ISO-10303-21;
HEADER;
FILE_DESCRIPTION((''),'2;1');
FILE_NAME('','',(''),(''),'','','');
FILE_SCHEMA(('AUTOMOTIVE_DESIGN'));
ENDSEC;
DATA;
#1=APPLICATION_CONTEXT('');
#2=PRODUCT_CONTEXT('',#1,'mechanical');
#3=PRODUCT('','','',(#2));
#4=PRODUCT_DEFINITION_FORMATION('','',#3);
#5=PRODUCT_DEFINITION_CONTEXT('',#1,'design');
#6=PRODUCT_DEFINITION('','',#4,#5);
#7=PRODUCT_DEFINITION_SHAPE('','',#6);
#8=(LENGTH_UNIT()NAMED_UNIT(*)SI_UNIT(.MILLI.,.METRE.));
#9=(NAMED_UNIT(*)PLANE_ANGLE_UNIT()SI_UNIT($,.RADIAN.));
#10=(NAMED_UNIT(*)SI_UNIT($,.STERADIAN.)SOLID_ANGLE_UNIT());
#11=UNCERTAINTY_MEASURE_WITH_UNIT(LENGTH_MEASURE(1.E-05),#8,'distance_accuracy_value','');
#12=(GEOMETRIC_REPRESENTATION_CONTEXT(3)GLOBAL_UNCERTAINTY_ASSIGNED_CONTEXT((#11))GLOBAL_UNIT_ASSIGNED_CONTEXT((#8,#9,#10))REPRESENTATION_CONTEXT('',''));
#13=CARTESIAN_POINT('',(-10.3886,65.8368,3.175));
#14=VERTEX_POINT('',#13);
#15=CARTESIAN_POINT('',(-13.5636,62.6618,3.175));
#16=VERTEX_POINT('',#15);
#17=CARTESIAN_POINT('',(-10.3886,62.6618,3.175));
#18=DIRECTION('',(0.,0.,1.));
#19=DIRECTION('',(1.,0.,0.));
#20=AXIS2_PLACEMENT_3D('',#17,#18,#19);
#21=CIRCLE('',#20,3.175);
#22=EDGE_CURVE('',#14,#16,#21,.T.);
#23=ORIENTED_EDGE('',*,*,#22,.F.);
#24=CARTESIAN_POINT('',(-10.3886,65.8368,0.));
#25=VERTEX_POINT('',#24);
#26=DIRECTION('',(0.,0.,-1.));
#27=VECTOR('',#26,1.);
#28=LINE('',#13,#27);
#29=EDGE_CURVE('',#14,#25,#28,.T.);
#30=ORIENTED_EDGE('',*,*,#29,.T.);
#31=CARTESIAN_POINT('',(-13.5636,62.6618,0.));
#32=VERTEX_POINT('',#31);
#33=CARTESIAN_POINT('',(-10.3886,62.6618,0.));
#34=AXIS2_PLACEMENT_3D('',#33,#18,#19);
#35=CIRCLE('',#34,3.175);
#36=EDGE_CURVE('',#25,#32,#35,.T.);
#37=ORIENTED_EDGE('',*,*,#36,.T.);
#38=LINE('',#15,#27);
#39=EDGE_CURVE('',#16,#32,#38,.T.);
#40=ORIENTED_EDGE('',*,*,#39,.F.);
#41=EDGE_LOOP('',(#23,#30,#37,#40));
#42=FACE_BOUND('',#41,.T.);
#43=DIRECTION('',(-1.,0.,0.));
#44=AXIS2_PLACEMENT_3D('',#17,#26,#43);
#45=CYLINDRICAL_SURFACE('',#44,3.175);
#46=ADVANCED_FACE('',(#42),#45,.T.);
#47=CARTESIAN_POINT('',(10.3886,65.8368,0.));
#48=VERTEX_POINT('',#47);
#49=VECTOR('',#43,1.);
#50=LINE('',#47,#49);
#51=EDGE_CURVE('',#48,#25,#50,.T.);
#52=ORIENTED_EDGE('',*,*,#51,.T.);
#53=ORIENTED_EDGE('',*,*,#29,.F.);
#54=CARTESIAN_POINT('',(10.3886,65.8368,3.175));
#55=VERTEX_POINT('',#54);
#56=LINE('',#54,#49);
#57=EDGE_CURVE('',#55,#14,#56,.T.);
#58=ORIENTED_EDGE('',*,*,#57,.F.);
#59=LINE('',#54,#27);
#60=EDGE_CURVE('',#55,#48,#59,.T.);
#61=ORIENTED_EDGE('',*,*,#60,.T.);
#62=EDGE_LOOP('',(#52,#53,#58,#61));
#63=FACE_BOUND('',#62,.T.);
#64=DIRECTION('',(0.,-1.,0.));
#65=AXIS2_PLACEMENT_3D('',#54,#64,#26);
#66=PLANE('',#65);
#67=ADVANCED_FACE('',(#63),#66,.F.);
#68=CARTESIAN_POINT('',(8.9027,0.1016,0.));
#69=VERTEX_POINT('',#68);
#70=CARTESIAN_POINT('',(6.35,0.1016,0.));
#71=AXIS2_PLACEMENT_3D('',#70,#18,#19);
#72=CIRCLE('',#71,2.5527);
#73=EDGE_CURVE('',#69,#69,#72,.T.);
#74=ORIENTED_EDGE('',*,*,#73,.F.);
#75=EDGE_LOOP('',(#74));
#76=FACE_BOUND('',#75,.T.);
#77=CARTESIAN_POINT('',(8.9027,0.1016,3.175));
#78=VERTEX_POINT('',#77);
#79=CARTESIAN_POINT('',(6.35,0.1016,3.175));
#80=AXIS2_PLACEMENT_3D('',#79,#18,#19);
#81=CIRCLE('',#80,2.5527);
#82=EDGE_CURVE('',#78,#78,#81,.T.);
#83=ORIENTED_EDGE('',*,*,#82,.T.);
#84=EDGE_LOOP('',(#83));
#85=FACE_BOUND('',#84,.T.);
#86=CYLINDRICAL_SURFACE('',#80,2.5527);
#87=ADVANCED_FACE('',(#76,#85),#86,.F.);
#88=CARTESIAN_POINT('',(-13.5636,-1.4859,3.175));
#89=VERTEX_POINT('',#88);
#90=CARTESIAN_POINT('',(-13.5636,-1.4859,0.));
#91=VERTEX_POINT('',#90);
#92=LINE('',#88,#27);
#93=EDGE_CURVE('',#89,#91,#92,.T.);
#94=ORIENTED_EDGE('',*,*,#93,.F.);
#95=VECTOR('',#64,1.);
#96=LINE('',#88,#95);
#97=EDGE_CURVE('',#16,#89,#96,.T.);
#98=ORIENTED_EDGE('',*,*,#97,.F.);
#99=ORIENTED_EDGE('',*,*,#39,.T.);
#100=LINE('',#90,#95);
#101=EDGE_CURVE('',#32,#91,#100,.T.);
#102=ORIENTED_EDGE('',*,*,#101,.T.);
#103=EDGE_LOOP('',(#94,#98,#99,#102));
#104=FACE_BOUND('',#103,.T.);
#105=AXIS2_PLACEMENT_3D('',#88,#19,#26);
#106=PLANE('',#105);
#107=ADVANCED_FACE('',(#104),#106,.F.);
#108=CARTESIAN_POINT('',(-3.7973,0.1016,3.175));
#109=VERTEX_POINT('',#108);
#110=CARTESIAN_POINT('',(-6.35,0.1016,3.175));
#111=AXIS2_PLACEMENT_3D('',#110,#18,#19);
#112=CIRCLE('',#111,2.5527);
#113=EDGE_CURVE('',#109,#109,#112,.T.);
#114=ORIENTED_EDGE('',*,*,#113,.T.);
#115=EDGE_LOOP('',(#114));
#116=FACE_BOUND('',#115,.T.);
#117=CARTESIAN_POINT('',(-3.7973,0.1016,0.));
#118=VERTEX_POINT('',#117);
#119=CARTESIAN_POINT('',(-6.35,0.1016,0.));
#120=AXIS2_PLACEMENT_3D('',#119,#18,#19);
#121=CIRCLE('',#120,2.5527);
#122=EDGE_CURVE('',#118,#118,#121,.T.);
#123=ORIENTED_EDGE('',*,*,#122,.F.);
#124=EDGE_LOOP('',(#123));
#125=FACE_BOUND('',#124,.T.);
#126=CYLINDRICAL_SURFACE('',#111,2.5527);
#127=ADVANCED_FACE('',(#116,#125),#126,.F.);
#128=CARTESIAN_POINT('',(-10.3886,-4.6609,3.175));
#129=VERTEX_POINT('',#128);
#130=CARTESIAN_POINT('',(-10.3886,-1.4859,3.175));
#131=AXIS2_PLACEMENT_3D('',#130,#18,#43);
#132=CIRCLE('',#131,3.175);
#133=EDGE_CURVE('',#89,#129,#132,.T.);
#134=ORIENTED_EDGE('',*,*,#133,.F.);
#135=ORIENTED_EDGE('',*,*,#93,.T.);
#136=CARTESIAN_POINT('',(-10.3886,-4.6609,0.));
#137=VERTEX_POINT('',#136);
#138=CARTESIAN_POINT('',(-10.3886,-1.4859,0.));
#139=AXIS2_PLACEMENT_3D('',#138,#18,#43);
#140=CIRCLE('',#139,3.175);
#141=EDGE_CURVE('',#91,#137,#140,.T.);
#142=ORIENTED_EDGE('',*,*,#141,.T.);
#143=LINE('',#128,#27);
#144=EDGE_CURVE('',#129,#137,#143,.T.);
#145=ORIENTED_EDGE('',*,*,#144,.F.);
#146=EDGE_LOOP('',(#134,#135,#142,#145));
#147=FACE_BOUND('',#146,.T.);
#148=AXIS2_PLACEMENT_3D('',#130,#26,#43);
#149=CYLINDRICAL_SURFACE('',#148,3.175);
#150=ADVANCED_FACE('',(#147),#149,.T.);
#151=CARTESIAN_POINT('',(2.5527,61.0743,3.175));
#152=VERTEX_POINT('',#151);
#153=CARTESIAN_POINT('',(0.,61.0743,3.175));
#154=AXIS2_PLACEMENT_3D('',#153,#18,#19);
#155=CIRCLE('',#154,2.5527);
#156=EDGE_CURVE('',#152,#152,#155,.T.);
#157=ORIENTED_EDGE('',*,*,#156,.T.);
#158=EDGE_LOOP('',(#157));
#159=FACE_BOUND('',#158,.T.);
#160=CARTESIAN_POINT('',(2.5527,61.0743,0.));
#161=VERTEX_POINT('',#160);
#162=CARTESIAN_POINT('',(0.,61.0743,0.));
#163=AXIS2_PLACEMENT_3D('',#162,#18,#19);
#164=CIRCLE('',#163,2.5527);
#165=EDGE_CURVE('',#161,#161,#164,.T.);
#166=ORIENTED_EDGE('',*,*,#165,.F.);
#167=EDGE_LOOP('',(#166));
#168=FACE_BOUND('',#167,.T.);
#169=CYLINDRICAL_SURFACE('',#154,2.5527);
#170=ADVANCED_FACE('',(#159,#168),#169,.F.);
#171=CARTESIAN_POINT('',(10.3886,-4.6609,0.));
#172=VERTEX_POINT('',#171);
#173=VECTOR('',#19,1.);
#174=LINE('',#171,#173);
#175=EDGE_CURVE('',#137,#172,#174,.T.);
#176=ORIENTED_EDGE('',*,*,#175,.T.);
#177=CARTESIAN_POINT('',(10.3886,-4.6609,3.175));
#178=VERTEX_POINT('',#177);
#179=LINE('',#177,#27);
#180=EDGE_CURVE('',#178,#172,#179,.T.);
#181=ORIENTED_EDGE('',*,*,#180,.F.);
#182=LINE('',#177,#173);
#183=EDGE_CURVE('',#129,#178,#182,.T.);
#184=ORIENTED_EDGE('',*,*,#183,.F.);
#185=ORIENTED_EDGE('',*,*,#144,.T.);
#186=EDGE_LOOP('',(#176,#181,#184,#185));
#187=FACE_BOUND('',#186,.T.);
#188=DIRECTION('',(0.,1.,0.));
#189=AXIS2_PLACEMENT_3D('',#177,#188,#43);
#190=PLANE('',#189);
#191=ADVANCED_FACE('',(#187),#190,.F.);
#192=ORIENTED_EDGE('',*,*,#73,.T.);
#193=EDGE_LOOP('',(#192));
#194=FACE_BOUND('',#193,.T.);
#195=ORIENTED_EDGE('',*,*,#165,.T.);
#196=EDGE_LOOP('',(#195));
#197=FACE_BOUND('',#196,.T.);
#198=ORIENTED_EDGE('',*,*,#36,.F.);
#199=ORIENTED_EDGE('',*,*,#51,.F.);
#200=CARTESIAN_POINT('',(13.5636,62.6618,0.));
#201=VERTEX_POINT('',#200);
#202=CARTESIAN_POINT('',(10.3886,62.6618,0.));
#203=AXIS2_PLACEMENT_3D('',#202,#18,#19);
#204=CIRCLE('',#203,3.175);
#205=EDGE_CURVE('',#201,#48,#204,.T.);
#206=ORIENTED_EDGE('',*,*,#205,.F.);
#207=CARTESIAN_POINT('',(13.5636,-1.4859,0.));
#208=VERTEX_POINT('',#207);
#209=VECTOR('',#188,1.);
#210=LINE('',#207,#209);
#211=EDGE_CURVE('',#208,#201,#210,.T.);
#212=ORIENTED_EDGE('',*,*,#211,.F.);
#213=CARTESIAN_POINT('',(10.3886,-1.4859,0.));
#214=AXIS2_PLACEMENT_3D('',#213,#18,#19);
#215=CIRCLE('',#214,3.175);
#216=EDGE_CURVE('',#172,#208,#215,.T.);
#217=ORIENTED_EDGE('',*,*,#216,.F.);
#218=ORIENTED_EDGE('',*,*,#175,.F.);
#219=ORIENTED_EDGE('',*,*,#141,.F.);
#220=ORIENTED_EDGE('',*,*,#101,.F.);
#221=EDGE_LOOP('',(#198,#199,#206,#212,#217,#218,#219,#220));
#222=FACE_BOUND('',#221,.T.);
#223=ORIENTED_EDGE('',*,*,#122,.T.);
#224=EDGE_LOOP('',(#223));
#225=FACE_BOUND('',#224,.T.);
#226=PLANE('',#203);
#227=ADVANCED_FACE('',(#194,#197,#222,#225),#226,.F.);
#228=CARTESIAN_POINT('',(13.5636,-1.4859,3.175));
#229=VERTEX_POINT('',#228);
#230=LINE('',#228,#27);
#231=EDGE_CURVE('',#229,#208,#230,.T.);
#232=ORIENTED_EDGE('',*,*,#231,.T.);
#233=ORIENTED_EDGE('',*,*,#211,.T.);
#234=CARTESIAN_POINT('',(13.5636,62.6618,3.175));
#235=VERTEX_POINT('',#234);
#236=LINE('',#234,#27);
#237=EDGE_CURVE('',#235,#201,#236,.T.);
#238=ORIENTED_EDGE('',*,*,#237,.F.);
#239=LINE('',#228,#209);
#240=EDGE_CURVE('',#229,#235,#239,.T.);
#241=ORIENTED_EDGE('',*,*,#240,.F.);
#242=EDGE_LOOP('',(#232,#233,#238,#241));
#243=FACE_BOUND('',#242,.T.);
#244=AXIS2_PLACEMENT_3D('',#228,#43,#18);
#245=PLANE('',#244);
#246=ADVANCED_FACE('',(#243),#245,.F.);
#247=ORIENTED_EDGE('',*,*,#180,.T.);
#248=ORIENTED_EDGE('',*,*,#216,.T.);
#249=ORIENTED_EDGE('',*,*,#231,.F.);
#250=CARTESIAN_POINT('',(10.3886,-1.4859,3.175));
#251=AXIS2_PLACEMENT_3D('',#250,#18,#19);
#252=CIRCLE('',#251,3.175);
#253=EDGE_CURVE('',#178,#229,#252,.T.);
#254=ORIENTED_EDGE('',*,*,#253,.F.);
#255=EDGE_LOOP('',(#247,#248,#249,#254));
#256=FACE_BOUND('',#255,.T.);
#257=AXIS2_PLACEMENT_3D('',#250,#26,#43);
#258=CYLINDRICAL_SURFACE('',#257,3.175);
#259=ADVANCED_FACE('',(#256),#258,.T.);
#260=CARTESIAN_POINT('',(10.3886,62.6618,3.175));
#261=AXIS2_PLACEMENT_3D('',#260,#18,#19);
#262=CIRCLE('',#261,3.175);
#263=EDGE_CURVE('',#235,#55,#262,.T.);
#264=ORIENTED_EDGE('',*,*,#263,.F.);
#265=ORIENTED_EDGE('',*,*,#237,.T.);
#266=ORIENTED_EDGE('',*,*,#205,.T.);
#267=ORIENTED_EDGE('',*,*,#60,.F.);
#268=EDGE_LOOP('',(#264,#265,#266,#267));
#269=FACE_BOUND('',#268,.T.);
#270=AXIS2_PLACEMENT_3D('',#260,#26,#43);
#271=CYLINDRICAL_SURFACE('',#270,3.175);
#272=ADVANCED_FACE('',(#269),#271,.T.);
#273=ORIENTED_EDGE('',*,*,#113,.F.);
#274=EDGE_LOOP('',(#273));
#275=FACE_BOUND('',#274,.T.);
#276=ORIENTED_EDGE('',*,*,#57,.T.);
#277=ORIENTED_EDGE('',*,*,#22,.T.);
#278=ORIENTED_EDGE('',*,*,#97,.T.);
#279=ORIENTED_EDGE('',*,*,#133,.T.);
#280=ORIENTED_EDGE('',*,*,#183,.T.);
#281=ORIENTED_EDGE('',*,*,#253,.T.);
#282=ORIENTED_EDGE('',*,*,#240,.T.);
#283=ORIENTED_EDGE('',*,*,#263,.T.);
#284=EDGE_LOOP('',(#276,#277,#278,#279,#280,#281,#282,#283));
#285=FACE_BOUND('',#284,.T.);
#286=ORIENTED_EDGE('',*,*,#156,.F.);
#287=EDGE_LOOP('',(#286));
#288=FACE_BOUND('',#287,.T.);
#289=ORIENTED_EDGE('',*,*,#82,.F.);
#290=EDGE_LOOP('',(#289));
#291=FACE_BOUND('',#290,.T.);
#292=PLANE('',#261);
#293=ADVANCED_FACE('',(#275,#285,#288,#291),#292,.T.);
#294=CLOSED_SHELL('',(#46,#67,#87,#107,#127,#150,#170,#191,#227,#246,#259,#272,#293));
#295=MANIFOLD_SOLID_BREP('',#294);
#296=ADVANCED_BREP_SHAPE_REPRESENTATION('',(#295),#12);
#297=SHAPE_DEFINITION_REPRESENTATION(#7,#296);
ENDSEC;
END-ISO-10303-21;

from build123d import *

# Parameters (mm, degrees)
BOSS_EXTRUDE1_DEPTH    = 3.175
F_10_CLEARANCE_HOLE1_D = 5.1054


with BuildPart() as part:
    # Sketch1 → Boss-Extrude1 (new body)
    with BuildSketch(Plane.XY):
        with BuildLine():
            Line((10.3886, -4.6609), (-10.3886, -4.6609))
            ThreePointArc((-10.3886, -4.6609), (-12.63366403, -3.73096403), (-13.5636, -1.4859))
            Line((-13.5636, -1.4859), (-13.5636, 62.6618))
            ThreePointArc((-13.5636, 62.6618), (-12.63366403, 64.90686403), (-10.3886, 65.8368))
            Line((-10.3886, 65.8368), (10.3886, 65.8368))
            ThreePointArc((10.3886, 65.8368), (12.63366403, 64.90686403), (13.5636, 62.6618))
            Line((13.5636, 62.6618), (13.5636, -1.4859))
            ThreePointArc((13.5636, -1.4859), (12.63366403, -3.73096403), (10.3886, -4.6609))
        make_face()
    extrude(amount=BOSS_EXTRUDE1_DEPTH)

    # #10 Clearance Hole1 (through all)
    with Locations(Plane.XY.offset(3.175)):
        with Locations((6.35, 0.1016), (-6.35, 0.1016), (0, 61.0743)):
            Hole(F_10_CLEARANCE_HOLE1_D / 2)


solid = part.part
